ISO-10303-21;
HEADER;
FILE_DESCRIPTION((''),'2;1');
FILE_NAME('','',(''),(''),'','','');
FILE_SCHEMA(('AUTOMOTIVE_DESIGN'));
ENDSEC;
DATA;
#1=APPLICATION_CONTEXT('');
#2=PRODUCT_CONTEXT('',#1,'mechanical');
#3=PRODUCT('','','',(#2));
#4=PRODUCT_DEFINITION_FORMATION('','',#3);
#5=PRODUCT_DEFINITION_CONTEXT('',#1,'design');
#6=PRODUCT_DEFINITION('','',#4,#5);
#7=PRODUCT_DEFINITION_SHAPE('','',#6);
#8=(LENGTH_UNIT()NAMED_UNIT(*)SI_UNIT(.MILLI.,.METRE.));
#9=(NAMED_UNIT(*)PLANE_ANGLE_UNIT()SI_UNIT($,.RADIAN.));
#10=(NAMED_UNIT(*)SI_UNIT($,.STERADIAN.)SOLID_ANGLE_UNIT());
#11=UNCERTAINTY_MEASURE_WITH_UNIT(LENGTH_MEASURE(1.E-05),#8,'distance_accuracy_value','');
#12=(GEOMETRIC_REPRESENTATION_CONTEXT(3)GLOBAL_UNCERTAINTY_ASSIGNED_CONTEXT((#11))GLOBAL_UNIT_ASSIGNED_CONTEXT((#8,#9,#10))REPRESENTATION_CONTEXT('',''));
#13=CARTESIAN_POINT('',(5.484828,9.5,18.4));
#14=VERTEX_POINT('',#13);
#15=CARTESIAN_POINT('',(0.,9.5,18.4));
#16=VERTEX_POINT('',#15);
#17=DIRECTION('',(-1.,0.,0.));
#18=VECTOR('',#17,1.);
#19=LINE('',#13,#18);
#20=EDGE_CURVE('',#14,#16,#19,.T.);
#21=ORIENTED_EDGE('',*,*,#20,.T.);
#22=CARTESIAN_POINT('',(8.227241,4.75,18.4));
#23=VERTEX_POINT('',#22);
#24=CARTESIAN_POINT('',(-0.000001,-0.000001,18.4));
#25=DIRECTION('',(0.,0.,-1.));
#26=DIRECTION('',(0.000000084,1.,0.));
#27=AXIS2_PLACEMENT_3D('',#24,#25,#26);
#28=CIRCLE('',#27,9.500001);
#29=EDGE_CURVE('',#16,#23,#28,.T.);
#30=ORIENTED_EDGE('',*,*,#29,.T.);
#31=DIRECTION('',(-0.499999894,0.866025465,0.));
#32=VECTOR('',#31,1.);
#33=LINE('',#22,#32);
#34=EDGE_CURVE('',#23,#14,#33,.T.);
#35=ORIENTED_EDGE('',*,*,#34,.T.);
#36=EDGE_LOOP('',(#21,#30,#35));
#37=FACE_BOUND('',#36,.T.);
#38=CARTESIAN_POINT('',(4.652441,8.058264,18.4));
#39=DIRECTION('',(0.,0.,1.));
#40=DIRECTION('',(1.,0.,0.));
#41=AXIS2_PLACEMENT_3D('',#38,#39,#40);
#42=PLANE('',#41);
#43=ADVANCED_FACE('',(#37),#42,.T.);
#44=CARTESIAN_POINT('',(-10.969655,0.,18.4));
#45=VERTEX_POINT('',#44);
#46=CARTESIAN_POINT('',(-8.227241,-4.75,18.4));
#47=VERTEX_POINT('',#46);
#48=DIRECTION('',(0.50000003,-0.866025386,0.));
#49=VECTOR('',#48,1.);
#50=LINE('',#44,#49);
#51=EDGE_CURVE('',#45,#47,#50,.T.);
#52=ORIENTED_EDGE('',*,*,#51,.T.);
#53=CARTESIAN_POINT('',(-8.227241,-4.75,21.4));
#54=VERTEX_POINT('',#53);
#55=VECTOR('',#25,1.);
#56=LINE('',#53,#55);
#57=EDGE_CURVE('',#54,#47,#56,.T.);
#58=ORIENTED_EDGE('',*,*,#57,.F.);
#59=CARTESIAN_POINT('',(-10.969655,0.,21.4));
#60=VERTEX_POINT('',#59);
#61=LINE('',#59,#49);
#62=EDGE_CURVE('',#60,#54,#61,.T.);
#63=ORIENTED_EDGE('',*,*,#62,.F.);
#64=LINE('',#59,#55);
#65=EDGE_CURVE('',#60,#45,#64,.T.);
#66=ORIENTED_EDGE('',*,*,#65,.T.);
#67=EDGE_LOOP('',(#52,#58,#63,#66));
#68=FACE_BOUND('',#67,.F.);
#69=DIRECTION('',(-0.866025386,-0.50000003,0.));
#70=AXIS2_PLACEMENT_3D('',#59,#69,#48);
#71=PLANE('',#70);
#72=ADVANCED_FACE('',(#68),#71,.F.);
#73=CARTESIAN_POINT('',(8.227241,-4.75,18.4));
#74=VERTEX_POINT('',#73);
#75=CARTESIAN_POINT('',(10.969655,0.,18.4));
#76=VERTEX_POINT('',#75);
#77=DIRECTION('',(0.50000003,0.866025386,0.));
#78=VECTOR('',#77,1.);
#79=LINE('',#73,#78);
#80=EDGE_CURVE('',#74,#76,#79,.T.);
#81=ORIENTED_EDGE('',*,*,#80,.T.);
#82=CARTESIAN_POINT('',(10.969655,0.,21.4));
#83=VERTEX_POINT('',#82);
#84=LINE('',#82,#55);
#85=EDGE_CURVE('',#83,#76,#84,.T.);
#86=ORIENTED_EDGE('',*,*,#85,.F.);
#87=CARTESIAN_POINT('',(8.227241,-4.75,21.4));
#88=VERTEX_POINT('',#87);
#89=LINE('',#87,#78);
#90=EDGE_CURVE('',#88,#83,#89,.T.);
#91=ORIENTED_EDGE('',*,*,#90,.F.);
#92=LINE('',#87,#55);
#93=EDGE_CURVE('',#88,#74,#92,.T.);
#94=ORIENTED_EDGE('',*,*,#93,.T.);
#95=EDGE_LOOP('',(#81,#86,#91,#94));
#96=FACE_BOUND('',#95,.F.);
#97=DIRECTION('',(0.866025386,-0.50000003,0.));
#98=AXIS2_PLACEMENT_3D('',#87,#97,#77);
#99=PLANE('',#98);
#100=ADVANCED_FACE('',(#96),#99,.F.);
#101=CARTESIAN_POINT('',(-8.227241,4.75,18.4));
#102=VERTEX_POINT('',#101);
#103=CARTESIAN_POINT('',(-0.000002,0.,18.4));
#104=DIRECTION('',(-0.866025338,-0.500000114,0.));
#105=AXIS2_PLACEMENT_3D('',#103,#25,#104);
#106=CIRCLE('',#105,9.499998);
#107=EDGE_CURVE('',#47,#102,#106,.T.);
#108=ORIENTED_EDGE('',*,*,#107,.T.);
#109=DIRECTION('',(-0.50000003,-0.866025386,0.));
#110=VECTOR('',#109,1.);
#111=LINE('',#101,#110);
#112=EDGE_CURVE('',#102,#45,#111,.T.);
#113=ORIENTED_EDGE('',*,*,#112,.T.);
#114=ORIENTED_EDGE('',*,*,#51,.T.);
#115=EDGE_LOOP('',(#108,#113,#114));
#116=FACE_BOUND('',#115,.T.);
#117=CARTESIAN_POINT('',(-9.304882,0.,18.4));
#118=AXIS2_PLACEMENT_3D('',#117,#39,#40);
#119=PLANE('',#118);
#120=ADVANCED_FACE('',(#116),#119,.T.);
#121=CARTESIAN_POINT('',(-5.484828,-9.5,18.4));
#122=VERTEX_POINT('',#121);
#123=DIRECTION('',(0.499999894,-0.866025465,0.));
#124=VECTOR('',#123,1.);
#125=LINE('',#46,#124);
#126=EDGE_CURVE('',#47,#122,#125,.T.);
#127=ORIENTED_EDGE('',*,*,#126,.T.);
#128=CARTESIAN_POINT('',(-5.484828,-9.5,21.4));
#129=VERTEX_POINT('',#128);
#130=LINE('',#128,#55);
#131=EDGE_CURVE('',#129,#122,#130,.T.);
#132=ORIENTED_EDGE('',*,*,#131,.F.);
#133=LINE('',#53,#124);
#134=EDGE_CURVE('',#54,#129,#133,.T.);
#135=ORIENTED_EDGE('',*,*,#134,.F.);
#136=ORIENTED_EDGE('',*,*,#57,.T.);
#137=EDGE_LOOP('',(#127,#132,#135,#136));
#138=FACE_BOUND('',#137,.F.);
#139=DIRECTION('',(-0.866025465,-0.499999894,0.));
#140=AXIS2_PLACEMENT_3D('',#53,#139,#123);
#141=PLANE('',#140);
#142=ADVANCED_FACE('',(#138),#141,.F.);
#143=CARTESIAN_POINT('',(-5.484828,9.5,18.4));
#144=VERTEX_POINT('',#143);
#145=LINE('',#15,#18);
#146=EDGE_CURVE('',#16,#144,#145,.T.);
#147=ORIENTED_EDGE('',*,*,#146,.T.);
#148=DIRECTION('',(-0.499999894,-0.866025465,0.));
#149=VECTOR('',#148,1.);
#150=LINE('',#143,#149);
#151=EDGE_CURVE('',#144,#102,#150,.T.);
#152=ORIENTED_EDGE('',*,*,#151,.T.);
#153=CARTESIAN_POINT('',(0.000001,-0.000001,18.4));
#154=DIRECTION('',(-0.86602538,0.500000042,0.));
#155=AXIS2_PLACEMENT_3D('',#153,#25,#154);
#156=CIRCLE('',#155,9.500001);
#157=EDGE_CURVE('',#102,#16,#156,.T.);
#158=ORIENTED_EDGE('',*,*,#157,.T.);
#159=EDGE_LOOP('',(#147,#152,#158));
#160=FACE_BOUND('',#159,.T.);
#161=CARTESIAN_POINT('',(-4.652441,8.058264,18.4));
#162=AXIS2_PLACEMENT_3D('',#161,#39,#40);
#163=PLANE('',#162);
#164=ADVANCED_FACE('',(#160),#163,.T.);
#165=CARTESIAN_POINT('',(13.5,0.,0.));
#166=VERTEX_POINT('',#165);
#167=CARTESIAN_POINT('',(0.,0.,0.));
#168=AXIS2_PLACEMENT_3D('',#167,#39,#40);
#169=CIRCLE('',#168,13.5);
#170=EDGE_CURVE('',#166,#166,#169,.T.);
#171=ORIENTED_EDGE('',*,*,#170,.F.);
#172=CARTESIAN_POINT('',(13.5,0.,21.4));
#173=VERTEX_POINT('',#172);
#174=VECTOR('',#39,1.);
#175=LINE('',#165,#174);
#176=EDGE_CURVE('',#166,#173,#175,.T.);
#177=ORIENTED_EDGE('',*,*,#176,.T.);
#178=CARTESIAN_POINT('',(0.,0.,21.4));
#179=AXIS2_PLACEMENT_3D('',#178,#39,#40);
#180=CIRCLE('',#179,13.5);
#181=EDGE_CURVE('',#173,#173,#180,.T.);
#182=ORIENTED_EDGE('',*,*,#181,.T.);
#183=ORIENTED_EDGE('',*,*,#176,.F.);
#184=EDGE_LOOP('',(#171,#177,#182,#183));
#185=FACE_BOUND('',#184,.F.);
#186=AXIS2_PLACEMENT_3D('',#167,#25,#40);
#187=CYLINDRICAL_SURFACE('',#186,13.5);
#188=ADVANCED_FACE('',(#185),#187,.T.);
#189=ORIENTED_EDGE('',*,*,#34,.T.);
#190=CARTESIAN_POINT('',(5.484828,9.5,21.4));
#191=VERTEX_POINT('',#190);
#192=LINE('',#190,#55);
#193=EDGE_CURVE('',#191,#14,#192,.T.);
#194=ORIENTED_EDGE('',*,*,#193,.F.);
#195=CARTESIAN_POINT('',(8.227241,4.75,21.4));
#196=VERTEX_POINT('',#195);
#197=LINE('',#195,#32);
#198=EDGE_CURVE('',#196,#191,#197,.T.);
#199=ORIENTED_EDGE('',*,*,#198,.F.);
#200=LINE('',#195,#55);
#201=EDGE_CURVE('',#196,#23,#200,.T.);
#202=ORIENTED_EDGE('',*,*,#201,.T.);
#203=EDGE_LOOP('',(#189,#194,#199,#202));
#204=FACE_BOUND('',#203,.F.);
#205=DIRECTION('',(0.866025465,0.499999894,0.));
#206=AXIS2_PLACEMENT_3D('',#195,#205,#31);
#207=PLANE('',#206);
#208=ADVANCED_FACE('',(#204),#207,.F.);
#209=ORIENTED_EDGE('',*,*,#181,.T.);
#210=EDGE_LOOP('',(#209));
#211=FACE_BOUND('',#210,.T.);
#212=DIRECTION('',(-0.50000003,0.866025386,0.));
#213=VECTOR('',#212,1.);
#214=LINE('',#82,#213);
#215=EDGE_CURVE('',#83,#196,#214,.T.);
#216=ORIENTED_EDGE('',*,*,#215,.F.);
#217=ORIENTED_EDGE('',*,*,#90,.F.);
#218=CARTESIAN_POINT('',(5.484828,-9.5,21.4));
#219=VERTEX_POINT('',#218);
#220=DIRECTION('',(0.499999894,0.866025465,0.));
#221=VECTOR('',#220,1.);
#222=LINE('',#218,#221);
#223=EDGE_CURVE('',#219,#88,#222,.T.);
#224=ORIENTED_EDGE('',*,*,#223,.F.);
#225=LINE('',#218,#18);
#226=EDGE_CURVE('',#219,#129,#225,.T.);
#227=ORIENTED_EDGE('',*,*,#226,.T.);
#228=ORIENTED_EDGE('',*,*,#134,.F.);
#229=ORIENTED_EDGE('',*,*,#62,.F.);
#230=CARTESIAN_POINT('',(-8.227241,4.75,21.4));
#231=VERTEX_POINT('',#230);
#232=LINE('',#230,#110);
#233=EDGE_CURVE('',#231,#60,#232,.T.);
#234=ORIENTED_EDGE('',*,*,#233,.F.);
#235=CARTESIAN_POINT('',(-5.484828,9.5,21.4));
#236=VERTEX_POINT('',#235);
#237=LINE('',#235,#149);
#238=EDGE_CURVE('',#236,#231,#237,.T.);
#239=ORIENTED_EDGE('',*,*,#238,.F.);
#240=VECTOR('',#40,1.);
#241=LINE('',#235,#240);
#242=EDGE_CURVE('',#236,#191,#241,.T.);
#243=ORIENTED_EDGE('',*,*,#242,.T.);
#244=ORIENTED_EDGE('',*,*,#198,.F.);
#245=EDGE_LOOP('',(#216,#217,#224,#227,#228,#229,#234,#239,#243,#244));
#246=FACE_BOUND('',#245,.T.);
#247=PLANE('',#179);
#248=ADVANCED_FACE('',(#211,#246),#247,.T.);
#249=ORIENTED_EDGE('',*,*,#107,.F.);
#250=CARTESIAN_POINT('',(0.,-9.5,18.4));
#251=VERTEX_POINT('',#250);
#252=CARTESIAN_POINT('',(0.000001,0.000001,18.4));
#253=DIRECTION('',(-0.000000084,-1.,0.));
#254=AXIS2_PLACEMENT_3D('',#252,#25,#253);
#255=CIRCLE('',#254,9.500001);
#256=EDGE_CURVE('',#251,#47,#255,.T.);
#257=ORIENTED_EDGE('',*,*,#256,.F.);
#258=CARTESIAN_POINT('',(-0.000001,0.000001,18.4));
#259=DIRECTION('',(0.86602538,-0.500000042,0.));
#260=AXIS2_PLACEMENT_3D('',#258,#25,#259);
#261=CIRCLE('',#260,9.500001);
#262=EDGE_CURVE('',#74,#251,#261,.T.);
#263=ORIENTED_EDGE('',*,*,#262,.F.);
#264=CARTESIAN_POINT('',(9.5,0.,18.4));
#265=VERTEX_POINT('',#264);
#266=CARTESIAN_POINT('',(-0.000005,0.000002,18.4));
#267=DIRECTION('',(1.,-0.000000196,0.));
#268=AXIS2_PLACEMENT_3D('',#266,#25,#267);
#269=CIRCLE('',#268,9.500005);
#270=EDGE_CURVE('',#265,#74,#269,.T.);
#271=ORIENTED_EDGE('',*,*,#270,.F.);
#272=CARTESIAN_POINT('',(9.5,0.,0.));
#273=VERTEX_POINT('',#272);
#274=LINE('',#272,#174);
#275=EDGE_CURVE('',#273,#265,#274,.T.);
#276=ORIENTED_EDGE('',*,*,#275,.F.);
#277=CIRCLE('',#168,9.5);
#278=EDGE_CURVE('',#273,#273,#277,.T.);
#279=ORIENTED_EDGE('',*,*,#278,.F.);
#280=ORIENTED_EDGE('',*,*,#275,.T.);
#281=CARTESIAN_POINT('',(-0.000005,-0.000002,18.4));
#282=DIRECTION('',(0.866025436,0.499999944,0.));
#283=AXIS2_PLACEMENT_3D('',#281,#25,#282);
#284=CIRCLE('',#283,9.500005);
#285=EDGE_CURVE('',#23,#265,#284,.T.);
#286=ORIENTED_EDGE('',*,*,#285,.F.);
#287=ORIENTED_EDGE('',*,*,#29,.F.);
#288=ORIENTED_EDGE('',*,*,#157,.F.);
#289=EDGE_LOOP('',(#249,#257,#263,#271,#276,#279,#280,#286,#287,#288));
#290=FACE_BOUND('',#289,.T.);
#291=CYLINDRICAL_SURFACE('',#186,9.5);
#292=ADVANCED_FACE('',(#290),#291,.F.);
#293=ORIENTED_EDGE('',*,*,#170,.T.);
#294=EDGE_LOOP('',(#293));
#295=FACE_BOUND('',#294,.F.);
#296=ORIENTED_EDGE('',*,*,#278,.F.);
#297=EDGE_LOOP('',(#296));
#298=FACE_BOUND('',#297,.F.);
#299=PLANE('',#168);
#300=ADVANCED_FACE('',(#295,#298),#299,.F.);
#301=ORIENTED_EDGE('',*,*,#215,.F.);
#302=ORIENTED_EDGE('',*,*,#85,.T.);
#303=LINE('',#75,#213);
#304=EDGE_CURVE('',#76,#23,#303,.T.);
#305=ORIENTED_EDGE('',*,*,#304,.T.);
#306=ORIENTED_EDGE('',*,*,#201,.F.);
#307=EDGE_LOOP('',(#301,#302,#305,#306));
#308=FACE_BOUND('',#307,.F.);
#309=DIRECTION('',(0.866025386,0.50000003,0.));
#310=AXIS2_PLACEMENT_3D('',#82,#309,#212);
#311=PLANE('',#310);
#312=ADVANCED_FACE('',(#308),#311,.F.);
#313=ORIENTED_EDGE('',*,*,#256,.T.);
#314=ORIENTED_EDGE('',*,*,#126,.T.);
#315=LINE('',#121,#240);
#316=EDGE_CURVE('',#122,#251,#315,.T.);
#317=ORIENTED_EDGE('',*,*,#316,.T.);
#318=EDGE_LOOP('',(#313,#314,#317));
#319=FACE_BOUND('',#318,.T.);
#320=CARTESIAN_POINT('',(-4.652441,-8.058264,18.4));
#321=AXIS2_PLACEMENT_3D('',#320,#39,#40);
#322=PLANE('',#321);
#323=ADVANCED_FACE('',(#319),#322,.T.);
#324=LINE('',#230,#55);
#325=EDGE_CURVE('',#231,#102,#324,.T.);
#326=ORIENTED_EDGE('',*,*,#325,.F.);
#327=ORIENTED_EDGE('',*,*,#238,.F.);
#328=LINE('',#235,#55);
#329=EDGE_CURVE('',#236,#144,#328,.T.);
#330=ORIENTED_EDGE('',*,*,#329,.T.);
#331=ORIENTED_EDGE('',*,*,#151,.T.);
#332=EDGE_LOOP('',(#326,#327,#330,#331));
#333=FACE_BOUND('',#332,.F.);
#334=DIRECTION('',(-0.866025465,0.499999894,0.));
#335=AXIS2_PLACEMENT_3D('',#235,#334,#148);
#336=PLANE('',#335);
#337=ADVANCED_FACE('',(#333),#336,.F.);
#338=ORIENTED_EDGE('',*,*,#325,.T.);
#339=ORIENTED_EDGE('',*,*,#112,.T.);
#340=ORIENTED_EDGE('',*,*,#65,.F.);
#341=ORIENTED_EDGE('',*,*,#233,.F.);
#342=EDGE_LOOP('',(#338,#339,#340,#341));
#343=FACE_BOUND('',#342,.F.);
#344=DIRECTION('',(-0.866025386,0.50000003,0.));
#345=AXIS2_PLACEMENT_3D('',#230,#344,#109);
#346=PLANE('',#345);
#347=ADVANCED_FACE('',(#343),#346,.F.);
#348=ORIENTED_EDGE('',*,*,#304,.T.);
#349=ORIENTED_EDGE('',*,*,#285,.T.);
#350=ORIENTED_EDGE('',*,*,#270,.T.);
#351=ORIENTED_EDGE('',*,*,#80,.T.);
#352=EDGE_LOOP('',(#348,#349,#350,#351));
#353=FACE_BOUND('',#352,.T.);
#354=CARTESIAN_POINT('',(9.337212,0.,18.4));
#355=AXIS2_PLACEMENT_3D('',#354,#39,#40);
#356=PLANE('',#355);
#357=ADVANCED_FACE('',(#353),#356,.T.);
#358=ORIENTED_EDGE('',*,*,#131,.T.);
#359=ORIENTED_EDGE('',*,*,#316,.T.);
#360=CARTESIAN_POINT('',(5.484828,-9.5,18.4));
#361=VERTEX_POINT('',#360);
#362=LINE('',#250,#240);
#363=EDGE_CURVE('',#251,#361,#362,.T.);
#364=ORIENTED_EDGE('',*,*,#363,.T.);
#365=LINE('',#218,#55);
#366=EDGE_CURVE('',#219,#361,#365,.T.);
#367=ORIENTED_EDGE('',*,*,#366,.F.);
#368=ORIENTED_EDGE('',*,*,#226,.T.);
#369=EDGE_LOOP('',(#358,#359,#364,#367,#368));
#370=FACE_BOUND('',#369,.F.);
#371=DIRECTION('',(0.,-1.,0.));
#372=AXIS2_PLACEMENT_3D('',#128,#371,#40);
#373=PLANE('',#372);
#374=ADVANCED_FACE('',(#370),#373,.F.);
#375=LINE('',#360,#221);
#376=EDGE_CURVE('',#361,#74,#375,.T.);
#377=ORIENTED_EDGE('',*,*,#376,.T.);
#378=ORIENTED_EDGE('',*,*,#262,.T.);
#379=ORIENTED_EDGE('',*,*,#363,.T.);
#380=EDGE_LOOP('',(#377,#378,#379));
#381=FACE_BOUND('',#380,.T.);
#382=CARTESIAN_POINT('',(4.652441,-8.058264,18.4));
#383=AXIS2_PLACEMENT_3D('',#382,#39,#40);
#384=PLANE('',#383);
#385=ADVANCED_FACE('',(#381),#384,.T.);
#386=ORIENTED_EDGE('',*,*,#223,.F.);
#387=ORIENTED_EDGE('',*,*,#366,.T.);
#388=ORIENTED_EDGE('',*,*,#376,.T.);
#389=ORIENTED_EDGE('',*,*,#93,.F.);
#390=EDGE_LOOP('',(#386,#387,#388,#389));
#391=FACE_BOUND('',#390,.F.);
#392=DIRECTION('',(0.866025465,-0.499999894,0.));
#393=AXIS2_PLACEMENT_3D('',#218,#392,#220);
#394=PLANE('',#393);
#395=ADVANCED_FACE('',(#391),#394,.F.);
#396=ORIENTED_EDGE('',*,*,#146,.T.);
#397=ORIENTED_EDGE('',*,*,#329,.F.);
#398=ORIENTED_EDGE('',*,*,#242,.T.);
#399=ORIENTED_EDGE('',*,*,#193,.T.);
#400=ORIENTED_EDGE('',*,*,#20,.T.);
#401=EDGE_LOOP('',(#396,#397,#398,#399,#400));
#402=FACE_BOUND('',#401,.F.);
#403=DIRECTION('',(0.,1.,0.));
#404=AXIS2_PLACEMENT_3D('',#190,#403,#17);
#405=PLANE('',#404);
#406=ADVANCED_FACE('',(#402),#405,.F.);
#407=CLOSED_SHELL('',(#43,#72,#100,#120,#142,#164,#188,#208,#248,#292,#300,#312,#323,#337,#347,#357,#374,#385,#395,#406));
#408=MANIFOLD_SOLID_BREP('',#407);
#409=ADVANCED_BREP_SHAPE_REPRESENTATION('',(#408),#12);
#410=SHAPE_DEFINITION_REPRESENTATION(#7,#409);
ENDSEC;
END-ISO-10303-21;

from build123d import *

# Parameters (mm, degrees)
F0_R     = 13.5
F0_R_2   = 9.5
F1_DEPTH = 21.4
F3_DEPTH = 3


with BuildPart() as f1:
    # F0 (on Top) → F1 (new body)
    with BuildSketch(Plane.XY):
        Circle(F0_R)
        Circle(F0_R_2, mode=Mode.SUBTRACT)
    extrude(amount=F1_DEPTH)

    # F2 (on face) → F3 (cut)
    with BuildSketch(Plane.XY.offset(21.4)):
        with BuildLine():
            Line((8.227241, -4.75), (10.969655, 0))
            Line((10.969655, 0), (8.227241, 4.75))
            ThreePointArc((8.227241, 4.75), (9.176295, 2.458781), (9.5, 0))
            ThreePointArc((9.5, 0), (9.176295, -2.458781), (8.227241, -4.75))
        make_face()
        with BuildLine():
            Line((-10.969655, 0), (-8.227241, -4.75))
            ThreePointArc((-8.227241, -4.75), (-9.5, 0), (-8.227241, 4.75))
            Line((-8.227241, 4.75), (-10.969655, 0))
        make_face()
        with BuildLine():
            Line((-5.484828, -9.5), (0, -9.5))
            ThreePointArc((0, -9.5), (-4.75, -8.227241), (-8.227241, -4.75))
            Line((-8.227241, -4.75), (-5.484828, -9.5))
        make_face()
        with BuildLine():
            ThreePointArc((0, 9.5), (4.75, 8.227241), (8.227241, 4.75))
            Line((8.227241, 4.75), (5.484828, 9.5))
            Line((5.484828, 9.5), (0, 9.5))
        make_face()
        with BuildLine():
            Line((5.484828, -9.5), (8.227241, -4.75))
            ThreePointArc((8.227241, -4.75), (4.75, -8.227241), (0, -9.5))
            Line((0, -9.5), (5.484828, -9.5))
        make_face()
        with BuildLine():
            ThreePointArc((-8.227241, 4.75), (-4.75, 8.227241), (0, 9.5))
            Line((0, 9.5), (-5.484828, 9.5))
            Line((-5.484828, 9.5), (-8.227241, 4.75))
        make_face()
    extrude(amount=-F3_DEPTH, mode=Mode.SUBTRACT)


solid = f1.part
